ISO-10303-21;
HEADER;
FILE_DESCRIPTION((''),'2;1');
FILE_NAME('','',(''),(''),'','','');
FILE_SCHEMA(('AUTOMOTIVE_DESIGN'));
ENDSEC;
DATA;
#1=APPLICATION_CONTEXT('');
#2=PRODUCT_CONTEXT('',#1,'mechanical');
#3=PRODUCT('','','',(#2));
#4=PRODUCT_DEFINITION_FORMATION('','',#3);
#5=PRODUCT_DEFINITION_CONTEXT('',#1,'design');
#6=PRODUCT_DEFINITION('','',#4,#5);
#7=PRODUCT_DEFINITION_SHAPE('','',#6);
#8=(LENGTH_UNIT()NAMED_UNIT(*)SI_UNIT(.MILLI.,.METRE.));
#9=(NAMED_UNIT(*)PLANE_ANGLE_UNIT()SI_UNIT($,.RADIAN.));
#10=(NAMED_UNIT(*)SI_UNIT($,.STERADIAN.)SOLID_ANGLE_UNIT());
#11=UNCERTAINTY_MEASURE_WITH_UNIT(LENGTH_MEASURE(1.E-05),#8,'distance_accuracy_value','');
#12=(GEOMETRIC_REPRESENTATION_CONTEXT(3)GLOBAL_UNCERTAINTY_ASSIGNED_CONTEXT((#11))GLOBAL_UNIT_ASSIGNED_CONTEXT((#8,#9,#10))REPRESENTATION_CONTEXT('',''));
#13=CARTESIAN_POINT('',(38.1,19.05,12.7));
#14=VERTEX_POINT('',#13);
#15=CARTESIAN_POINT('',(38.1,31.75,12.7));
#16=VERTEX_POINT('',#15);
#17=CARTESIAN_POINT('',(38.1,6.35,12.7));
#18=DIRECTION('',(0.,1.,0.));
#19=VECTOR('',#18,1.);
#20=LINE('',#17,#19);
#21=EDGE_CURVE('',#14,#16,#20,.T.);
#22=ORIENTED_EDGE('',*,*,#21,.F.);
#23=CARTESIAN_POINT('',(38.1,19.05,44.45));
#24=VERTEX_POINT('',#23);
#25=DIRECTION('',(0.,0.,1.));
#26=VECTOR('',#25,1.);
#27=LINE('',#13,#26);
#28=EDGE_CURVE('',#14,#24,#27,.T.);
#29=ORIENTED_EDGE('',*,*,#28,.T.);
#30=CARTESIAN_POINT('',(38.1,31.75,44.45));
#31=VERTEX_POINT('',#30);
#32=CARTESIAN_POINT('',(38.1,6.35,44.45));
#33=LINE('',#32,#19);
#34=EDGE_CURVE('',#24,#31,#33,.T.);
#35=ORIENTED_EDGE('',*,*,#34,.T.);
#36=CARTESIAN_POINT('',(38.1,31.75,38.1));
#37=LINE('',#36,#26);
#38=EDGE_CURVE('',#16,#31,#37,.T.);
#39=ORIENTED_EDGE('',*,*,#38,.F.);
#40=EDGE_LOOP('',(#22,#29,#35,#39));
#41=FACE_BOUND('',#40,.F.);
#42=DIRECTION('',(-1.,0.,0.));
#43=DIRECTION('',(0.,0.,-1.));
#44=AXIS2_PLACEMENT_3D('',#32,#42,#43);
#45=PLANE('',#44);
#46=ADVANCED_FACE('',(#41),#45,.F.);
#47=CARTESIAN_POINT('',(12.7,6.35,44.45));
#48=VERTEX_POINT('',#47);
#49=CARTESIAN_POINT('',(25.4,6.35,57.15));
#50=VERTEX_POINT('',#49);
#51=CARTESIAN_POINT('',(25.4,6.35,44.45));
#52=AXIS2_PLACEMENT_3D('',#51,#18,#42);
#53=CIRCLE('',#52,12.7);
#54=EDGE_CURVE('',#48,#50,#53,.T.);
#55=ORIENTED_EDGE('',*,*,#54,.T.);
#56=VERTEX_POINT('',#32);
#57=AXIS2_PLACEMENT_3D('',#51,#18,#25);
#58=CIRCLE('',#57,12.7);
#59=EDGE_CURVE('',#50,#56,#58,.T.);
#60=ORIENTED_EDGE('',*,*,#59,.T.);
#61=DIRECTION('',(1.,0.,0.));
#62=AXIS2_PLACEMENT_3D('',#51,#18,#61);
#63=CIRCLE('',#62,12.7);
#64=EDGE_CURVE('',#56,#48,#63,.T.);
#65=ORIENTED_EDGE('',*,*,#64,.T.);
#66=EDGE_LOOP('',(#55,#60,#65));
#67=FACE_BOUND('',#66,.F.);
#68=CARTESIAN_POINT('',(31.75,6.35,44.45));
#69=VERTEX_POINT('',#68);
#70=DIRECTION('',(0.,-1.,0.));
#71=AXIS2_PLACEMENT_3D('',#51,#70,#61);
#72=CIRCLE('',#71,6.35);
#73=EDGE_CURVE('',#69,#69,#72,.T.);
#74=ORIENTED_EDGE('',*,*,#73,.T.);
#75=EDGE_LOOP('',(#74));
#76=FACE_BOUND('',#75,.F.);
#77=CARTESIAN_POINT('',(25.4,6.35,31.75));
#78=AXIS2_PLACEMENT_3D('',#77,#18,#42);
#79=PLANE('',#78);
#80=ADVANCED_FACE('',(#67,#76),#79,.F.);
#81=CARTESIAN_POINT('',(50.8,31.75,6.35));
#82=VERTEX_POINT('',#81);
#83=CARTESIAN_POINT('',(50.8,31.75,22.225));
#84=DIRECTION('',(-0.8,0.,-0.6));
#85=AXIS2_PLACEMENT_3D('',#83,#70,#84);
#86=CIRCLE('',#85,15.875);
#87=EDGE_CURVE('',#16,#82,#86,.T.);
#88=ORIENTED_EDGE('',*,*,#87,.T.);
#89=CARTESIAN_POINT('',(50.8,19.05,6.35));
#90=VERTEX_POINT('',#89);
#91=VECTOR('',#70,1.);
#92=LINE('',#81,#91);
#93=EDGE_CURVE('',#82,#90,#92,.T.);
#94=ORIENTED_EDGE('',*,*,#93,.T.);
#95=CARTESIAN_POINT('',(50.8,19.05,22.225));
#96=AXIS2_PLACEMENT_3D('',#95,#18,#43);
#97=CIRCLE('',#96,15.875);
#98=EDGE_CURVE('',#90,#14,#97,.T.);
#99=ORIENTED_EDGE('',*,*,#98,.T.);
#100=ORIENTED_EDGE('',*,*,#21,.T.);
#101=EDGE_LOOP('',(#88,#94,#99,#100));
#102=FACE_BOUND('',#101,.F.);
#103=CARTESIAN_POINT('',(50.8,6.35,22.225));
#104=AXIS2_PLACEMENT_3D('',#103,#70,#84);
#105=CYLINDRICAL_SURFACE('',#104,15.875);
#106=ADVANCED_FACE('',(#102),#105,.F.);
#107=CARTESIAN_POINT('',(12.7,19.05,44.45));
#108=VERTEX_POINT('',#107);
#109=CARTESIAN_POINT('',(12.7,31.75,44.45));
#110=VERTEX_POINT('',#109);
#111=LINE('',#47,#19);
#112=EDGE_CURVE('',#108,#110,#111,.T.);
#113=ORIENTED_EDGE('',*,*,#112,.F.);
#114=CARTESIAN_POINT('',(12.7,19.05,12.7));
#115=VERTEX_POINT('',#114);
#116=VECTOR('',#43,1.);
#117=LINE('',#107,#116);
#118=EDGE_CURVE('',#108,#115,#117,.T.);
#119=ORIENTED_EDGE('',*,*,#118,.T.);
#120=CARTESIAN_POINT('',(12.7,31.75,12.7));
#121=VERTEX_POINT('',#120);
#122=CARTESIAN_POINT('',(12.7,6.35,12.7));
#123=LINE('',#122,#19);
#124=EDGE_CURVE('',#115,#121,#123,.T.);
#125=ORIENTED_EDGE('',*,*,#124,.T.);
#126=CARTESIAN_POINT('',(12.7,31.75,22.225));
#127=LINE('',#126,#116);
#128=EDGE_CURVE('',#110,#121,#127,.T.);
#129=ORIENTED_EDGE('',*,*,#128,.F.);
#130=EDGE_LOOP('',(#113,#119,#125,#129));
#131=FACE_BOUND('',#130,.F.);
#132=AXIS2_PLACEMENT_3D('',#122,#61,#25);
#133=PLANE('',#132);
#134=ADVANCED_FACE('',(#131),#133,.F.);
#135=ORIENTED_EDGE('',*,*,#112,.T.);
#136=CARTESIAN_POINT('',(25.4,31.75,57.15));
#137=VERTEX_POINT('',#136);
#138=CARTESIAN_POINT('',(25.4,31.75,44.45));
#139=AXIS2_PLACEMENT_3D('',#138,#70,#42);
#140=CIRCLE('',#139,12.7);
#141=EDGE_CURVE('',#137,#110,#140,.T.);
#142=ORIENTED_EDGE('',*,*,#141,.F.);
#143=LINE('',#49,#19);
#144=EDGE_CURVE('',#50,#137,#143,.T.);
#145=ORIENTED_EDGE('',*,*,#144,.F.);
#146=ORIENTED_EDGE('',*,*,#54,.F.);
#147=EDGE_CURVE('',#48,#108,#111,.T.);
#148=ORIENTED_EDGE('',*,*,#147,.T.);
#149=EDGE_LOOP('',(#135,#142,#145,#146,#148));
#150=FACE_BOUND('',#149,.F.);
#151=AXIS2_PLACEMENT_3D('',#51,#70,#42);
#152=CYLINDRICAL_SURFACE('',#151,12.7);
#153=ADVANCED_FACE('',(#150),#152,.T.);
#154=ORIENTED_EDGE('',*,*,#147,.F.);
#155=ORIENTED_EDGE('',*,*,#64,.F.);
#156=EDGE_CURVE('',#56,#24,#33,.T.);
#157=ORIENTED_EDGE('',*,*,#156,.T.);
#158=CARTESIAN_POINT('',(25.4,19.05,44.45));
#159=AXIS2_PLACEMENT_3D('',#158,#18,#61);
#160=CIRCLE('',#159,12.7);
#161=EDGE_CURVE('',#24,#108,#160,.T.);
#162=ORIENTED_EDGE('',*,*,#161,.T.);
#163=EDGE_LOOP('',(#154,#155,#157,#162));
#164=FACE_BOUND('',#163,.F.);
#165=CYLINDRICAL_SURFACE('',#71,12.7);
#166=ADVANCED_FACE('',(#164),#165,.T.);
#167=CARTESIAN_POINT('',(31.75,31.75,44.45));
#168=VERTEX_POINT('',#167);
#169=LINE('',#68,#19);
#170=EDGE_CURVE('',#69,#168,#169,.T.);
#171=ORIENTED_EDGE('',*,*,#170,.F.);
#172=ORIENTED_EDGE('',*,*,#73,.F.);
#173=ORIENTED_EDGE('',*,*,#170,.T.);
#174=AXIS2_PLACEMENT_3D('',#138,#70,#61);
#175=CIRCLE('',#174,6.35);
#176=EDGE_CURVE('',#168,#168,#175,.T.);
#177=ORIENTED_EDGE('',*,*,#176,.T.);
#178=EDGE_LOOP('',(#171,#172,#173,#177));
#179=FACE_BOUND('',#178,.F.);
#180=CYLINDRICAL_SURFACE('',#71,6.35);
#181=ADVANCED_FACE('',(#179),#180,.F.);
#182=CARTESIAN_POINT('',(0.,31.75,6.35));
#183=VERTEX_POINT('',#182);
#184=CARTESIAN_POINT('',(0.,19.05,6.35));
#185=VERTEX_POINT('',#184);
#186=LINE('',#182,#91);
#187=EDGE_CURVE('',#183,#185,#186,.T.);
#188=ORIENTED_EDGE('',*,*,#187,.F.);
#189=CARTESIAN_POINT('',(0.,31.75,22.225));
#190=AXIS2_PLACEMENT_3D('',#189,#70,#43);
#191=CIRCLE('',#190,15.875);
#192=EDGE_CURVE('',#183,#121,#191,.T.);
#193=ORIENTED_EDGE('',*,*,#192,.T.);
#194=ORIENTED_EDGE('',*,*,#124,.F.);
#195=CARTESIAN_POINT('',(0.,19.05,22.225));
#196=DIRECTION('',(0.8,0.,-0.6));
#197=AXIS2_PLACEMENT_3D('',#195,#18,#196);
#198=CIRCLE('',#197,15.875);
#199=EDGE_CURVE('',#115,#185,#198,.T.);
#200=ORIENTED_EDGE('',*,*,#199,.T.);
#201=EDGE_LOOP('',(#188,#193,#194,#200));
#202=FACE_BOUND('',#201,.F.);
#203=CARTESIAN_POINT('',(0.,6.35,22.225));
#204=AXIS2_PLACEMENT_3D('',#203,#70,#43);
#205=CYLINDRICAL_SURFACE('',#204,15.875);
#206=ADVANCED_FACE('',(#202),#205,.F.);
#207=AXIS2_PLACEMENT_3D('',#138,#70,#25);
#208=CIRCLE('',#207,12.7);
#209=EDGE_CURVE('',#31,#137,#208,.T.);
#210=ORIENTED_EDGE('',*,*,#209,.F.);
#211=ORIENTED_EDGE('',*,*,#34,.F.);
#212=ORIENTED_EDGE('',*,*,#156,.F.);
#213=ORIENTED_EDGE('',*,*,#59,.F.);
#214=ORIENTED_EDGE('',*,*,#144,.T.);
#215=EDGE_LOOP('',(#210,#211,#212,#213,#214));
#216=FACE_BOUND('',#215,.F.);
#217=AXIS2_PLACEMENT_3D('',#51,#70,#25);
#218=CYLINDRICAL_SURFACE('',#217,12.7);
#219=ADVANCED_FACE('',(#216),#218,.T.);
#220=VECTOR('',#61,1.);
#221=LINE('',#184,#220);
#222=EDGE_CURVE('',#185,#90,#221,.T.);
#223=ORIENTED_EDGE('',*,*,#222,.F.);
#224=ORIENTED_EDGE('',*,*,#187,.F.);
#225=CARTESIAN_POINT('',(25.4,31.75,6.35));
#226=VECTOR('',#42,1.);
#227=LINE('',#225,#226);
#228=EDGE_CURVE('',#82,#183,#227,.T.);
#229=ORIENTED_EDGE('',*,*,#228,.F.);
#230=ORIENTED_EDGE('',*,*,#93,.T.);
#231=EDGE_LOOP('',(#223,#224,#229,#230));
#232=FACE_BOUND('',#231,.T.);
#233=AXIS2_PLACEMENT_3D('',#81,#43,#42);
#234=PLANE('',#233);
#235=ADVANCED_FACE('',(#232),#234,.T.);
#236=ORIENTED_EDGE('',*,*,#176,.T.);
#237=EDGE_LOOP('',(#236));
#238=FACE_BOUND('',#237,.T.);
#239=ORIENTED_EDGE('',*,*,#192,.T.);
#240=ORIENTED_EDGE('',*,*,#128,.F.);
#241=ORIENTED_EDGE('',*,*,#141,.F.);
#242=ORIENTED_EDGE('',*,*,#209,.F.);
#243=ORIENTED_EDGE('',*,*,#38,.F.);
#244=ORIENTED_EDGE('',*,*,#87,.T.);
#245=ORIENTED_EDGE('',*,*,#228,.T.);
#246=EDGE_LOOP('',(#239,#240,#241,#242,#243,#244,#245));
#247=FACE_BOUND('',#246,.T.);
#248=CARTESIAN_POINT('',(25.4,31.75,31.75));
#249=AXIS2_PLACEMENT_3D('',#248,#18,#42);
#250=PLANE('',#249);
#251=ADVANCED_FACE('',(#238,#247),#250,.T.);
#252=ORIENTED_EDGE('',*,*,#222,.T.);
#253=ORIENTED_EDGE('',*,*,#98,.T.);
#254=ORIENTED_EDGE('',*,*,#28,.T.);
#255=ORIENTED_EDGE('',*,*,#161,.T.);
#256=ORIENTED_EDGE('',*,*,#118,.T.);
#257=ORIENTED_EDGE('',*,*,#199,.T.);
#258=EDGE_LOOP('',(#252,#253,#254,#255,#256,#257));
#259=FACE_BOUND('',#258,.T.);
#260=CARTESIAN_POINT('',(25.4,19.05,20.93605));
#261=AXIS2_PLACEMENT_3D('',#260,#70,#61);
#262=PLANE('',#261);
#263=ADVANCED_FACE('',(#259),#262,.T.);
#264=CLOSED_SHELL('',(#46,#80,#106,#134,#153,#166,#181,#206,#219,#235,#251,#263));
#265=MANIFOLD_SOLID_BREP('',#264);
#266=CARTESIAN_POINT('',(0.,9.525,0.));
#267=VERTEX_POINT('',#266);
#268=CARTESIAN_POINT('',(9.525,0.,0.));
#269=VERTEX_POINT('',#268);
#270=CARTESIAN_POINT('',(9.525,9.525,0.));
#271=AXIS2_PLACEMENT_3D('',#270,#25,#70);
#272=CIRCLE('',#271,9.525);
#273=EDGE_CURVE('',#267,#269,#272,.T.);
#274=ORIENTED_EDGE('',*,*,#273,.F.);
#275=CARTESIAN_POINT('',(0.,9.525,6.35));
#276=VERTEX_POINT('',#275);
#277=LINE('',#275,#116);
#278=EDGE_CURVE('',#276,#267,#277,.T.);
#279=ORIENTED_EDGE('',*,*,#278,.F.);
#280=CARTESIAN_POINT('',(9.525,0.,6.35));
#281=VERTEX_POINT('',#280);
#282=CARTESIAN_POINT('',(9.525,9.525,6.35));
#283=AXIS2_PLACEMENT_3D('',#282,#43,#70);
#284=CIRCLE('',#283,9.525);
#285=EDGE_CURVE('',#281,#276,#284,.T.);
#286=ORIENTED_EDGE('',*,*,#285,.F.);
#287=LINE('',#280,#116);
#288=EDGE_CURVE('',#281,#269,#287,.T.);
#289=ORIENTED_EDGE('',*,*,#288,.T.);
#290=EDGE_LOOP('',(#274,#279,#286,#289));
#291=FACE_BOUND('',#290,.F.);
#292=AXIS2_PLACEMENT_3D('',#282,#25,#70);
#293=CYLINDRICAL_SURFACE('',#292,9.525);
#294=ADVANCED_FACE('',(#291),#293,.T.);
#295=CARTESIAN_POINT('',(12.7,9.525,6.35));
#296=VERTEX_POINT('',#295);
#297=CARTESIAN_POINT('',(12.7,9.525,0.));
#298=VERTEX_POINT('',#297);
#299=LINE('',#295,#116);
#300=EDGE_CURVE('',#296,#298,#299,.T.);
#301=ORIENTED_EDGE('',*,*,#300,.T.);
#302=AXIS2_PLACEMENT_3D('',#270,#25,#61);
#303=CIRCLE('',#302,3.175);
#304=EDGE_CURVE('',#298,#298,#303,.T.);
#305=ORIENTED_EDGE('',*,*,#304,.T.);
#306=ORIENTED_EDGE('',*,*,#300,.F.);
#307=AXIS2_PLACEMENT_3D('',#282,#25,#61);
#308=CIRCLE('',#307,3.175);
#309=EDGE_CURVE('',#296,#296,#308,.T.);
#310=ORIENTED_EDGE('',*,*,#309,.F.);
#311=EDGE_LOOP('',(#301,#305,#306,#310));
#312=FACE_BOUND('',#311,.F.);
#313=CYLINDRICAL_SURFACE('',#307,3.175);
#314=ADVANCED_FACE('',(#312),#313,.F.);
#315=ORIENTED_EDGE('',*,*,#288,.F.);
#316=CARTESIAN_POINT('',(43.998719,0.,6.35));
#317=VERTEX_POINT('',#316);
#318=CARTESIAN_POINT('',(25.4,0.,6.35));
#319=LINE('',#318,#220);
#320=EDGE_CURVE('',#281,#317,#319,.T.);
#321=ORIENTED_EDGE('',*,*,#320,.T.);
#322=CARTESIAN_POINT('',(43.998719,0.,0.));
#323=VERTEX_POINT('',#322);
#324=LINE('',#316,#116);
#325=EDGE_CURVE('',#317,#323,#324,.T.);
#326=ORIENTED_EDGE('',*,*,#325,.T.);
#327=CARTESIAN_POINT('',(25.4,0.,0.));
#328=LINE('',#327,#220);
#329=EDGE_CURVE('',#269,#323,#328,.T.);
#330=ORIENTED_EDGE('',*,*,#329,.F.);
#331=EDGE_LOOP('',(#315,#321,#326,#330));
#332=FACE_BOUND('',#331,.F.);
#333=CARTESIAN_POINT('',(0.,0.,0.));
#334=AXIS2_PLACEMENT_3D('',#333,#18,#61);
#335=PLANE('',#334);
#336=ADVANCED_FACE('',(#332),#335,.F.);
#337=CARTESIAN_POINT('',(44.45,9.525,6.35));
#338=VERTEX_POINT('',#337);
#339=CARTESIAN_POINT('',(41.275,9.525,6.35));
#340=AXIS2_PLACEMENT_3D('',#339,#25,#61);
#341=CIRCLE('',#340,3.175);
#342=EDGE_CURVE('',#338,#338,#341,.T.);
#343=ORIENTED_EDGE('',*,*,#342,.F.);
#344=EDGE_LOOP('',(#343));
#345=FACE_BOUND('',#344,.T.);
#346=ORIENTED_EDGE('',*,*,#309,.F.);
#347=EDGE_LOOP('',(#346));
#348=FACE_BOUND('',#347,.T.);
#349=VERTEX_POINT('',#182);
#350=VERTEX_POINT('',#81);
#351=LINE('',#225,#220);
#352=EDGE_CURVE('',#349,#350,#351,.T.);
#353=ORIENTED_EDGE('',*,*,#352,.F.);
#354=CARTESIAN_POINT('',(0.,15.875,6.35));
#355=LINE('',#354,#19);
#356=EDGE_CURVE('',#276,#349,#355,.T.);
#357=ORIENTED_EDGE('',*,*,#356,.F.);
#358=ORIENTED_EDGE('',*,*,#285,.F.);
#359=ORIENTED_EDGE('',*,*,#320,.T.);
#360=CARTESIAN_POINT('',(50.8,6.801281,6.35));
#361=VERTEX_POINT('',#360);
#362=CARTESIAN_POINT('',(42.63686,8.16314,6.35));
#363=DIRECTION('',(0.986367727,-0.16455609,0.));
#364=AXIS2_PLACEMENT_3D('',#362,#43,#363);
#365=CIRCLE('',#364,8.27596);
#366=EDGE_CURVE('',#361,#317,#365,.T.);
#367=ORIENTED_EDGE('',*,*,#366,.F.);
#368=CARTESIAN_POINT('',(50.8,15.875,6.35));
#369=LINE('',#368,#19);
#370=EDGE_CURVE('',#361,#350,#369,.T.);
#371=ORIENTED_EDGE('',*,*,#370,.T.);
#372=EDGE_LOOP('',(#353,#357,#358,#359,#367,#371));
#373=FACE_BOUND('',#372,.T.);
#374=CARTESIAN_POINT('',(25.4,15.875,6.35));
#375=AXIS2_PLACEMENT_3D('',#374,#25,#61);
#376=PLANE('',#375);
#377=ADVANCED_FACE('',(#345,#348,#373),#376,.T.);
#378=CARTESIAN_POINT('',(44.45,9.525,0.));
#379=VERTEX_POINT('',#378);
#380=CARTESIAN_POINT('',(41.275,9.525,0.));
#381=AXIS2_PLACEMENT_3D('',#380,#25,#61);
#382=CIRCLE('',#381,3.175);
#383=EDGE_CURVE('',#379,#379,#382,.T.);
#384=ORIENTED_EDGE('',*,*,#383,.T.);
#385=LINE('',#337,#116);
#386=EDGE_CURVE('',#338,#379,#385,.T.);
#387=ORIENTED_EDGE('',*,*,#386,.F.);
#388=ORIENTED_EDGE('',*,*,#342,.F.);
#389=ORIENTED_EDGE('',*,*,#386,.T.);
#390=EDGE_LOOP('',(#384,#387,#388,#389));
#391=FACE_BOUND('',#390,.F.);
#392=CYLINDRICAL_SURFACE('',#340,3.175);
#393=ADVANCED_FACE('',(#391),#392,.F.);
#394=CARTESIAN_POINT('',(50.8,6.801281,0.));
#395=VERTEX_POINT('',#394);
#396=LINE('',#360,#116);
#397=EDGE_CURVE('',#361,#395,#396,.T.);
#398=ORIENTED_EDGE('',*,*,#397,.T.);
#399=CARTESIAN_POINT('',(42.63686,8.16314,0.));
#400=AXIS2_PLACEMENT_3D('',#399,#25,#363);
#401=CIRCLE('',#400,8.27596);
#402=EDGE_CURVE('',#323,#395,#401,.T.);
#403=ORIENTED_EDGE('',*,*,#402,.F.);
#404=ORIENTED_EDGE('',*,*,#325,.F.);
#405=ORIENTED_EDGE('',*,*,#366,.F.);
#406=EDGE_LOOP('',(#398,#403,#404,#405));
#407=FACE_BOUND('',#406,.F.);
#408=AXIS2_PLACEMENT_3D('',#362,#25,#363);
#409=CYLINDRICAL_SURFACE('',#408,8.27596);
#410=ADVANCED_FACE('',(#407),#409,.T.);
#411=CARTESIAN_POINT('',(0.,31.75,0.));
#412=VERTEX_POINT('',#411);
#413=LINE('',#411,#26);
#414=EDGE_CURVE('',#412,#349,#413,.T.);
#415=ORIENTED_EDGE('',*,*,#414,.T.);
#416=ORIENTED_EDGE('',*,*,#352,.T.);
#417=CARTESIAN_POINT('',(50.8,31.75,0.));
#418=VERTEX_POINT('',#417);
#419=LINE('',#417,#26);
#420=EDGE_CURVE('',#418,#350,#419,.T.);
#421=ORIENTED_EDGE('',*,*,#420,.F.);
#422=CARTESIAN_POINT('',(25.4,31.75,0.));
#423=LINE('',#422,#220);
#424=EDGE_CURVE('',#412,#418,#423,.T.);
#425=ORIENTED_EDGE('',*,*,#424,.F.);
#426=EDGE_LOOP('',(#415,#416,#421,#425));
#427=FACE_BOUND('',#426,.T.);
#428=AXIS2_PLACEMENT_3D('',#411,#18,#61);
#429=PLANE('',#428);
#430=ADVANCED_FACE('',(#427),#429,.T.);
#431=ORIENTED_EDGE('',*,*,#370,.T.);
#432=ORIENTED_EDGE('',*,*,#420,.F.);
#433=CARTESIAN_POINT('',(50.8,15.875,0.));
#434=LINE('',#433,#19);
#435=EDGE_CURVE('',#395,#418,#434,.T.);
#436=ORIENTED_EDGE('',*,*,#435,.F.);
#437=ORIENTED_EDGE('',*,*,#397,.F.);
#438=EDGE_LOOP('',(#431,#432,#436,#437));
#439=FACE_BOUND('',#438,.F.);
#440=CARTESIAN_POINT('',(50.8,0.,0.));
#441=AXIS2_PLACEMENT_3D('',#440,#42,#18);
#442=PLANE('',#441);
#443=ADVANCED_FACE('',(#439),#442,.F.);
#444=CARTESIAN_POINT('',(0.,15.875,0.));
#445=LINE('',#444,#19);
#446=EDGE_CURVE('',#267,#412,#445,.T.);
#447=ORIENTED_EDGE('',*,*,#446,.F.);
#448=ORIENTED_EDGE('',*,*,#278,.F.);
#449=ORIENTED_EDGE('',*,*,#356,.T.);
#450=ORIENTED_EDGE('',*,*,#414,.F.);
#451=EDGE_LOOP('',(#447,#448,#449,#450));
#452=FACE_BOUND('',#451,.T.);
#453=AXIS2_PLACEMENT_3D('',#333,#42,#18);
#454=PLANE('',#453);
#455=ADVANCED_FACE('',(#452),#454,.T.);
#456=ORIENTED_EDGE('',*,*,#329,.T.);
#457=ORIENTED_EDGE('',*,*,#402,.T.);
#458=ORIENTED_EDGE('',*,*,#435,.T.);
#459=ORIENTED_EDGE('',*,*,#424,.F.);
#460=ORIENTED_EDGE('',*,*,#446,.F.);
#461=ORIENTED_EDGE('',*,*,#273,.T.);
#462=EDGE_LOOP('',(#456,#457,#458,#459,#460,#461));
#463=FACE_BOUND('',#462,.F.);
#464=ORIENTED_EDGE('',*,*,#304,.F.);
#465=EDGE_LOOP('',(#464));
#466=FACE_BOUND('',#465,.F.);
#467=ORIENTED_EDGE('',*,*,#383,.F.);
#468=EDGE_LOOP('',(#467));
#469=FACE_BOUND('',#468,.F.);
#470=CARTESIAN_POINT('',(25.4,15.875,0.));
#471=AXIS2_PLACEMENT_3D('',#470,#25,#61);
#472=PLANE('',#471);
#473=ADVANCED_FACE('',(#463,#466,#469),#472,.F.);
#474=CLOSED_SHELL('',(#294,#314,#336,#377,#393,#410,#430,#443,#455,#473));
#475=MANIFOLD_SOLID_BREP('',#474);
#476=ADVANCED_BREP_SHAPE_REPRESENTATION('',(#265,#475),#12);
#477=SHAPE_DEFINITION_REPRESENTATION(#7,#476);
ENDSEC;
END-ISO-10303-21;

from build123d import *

# Parameters (mm, degrees)
F0_W      = 50.8
F0_H      = 31.75
F1_DEPTH  = 6.35
F2_R      = 3.175
F3_DEPTH  = 25.4
F4_W      = 50.8
F4_H      = 50.8
F5_DEPTH  = 25.4
F7_DEPTH  = 31.75
F9_DEPTH  = 12.7
F10_R     = 6.35
F11_DEPTH = 25.4


with BuildPart() as f1:
    # F0 (on Top) → F1 (new body)
    with BuildSketch(Plane.XY):
        with Locations((25.4, 15.875)):
            Rectangle(F0_W, F0_H)
    extrude(amount=F1_DEPTH)

    # F2 (on face) → F3 (cut)
    with BuildSketch(Plane.XY.offset(6.35)):
        with BuildLine():
            ThreePointArc((9.525, 0), (2.7898079092, 2.7898079092), (0, 9.525))
            Line((0, 9.525), (0, 0))
            Line((0, 0), (9.525, 0))
        make_face()
        with Locations((9.525, 9.525)):
            Circle(F2_R)
        with Locations((41.275, 9.525)):
            Circle(F2_R)
        with BuildLine():
            ThreePointArc((50.8, 6.8012806053), (48.4888474552, 2.3111525448), (43.9987193947, 0))
            Line((43.9987193947, 0), (50.8, 0))
            Line((50.8, 0), (50.8, 6.8012806053))
        make_face()
    extrude(amount=-F3_DEPTH, mode=Mode.SUBTRACT)


with BuildPart() as f5:
    # F4 (on face) → F5 (new body)
    with BuildSketch(Plane(origin=(0, 31.75, 0), x_dir=(-1, 0, 0), z_dir=(0, 1, 0))):
        with Locations((-25.4, 31.75)):
            Rectangle(F4_W, F4_H)
    extrude(amount=-F5_DEPTH)

    # F6 (on face) → F7 (cut)
    with BuildSketch(Plane.XZ.offset(-6.35)):
        with BuildLine():
            Line((12.7, 12.7), (12.7, 44.45))
            ThreePointArc((12.7, 44.45), (16.4197438789, 53.4302561211), (25.4, 57.15))
            Line((25.4, 57.15), (0, 57.15))
            Line((0, 57.15), (0, 6.35))
            ThreePointArc((0, 6.35), (7.0995158286, 8.0259683429), (12.7, 12.7))
        make_face()
        with BuildLine():
            ThreePointArc((25.4, 57.15), (34.3802561211, 53.4302561211), (38.1, 44.45))
            Line((38.1, 44.45), (38.1, 12.7))
            ThreePointArc((38.1, 12.7), (43.7004841714, 8.0259683429), (50.8, 6.35))
            Line((50.8, 6.35), (50.8, 57.15))
            Line((50.8, 57.15), (25.4, 57.15))
        make_face()
    extrude(amount=-F7_DEPTH, mode=Mode.SUBTRACT)

    # F8 (on face) → F9 (cut)
    with BuildSketch(Plane.XZ.offset(-6.35)):
        with BuildLine():
            Line((38.1, 12.7), (38.1, 44.45))
            ThreePointArc((38.1, 44.45), (25.4, 31.75), (12.7, 44.45))
            Line((12.7, 44.45), (12.7, 12.7))
            ThreePointArc((12.7, 12.7), (7.0995158286, 8.0259683429), (0, 6.35))
            Line((0, 6.35), (50.8, 6.35))
            ThreePointArc((50.8, 6.35), (43.7004841714, 8.0259683429), (38.1, 12.7))
        make_face()
    extrude(amount=-F9_DEPTH, mode=Mode.SUBTRACT)

    # F10 (on face) → F11 (cut)
    with BuildSketch(Plane.XZ.offset(-6.35)):
        with Locations((25.4, 44.45)):
            Circle(F10_R)
    extrude(amount=-F11_DEPTH, mode=Mode.SUBTRACT)


solid = Compound([f1.part, f5.part])
